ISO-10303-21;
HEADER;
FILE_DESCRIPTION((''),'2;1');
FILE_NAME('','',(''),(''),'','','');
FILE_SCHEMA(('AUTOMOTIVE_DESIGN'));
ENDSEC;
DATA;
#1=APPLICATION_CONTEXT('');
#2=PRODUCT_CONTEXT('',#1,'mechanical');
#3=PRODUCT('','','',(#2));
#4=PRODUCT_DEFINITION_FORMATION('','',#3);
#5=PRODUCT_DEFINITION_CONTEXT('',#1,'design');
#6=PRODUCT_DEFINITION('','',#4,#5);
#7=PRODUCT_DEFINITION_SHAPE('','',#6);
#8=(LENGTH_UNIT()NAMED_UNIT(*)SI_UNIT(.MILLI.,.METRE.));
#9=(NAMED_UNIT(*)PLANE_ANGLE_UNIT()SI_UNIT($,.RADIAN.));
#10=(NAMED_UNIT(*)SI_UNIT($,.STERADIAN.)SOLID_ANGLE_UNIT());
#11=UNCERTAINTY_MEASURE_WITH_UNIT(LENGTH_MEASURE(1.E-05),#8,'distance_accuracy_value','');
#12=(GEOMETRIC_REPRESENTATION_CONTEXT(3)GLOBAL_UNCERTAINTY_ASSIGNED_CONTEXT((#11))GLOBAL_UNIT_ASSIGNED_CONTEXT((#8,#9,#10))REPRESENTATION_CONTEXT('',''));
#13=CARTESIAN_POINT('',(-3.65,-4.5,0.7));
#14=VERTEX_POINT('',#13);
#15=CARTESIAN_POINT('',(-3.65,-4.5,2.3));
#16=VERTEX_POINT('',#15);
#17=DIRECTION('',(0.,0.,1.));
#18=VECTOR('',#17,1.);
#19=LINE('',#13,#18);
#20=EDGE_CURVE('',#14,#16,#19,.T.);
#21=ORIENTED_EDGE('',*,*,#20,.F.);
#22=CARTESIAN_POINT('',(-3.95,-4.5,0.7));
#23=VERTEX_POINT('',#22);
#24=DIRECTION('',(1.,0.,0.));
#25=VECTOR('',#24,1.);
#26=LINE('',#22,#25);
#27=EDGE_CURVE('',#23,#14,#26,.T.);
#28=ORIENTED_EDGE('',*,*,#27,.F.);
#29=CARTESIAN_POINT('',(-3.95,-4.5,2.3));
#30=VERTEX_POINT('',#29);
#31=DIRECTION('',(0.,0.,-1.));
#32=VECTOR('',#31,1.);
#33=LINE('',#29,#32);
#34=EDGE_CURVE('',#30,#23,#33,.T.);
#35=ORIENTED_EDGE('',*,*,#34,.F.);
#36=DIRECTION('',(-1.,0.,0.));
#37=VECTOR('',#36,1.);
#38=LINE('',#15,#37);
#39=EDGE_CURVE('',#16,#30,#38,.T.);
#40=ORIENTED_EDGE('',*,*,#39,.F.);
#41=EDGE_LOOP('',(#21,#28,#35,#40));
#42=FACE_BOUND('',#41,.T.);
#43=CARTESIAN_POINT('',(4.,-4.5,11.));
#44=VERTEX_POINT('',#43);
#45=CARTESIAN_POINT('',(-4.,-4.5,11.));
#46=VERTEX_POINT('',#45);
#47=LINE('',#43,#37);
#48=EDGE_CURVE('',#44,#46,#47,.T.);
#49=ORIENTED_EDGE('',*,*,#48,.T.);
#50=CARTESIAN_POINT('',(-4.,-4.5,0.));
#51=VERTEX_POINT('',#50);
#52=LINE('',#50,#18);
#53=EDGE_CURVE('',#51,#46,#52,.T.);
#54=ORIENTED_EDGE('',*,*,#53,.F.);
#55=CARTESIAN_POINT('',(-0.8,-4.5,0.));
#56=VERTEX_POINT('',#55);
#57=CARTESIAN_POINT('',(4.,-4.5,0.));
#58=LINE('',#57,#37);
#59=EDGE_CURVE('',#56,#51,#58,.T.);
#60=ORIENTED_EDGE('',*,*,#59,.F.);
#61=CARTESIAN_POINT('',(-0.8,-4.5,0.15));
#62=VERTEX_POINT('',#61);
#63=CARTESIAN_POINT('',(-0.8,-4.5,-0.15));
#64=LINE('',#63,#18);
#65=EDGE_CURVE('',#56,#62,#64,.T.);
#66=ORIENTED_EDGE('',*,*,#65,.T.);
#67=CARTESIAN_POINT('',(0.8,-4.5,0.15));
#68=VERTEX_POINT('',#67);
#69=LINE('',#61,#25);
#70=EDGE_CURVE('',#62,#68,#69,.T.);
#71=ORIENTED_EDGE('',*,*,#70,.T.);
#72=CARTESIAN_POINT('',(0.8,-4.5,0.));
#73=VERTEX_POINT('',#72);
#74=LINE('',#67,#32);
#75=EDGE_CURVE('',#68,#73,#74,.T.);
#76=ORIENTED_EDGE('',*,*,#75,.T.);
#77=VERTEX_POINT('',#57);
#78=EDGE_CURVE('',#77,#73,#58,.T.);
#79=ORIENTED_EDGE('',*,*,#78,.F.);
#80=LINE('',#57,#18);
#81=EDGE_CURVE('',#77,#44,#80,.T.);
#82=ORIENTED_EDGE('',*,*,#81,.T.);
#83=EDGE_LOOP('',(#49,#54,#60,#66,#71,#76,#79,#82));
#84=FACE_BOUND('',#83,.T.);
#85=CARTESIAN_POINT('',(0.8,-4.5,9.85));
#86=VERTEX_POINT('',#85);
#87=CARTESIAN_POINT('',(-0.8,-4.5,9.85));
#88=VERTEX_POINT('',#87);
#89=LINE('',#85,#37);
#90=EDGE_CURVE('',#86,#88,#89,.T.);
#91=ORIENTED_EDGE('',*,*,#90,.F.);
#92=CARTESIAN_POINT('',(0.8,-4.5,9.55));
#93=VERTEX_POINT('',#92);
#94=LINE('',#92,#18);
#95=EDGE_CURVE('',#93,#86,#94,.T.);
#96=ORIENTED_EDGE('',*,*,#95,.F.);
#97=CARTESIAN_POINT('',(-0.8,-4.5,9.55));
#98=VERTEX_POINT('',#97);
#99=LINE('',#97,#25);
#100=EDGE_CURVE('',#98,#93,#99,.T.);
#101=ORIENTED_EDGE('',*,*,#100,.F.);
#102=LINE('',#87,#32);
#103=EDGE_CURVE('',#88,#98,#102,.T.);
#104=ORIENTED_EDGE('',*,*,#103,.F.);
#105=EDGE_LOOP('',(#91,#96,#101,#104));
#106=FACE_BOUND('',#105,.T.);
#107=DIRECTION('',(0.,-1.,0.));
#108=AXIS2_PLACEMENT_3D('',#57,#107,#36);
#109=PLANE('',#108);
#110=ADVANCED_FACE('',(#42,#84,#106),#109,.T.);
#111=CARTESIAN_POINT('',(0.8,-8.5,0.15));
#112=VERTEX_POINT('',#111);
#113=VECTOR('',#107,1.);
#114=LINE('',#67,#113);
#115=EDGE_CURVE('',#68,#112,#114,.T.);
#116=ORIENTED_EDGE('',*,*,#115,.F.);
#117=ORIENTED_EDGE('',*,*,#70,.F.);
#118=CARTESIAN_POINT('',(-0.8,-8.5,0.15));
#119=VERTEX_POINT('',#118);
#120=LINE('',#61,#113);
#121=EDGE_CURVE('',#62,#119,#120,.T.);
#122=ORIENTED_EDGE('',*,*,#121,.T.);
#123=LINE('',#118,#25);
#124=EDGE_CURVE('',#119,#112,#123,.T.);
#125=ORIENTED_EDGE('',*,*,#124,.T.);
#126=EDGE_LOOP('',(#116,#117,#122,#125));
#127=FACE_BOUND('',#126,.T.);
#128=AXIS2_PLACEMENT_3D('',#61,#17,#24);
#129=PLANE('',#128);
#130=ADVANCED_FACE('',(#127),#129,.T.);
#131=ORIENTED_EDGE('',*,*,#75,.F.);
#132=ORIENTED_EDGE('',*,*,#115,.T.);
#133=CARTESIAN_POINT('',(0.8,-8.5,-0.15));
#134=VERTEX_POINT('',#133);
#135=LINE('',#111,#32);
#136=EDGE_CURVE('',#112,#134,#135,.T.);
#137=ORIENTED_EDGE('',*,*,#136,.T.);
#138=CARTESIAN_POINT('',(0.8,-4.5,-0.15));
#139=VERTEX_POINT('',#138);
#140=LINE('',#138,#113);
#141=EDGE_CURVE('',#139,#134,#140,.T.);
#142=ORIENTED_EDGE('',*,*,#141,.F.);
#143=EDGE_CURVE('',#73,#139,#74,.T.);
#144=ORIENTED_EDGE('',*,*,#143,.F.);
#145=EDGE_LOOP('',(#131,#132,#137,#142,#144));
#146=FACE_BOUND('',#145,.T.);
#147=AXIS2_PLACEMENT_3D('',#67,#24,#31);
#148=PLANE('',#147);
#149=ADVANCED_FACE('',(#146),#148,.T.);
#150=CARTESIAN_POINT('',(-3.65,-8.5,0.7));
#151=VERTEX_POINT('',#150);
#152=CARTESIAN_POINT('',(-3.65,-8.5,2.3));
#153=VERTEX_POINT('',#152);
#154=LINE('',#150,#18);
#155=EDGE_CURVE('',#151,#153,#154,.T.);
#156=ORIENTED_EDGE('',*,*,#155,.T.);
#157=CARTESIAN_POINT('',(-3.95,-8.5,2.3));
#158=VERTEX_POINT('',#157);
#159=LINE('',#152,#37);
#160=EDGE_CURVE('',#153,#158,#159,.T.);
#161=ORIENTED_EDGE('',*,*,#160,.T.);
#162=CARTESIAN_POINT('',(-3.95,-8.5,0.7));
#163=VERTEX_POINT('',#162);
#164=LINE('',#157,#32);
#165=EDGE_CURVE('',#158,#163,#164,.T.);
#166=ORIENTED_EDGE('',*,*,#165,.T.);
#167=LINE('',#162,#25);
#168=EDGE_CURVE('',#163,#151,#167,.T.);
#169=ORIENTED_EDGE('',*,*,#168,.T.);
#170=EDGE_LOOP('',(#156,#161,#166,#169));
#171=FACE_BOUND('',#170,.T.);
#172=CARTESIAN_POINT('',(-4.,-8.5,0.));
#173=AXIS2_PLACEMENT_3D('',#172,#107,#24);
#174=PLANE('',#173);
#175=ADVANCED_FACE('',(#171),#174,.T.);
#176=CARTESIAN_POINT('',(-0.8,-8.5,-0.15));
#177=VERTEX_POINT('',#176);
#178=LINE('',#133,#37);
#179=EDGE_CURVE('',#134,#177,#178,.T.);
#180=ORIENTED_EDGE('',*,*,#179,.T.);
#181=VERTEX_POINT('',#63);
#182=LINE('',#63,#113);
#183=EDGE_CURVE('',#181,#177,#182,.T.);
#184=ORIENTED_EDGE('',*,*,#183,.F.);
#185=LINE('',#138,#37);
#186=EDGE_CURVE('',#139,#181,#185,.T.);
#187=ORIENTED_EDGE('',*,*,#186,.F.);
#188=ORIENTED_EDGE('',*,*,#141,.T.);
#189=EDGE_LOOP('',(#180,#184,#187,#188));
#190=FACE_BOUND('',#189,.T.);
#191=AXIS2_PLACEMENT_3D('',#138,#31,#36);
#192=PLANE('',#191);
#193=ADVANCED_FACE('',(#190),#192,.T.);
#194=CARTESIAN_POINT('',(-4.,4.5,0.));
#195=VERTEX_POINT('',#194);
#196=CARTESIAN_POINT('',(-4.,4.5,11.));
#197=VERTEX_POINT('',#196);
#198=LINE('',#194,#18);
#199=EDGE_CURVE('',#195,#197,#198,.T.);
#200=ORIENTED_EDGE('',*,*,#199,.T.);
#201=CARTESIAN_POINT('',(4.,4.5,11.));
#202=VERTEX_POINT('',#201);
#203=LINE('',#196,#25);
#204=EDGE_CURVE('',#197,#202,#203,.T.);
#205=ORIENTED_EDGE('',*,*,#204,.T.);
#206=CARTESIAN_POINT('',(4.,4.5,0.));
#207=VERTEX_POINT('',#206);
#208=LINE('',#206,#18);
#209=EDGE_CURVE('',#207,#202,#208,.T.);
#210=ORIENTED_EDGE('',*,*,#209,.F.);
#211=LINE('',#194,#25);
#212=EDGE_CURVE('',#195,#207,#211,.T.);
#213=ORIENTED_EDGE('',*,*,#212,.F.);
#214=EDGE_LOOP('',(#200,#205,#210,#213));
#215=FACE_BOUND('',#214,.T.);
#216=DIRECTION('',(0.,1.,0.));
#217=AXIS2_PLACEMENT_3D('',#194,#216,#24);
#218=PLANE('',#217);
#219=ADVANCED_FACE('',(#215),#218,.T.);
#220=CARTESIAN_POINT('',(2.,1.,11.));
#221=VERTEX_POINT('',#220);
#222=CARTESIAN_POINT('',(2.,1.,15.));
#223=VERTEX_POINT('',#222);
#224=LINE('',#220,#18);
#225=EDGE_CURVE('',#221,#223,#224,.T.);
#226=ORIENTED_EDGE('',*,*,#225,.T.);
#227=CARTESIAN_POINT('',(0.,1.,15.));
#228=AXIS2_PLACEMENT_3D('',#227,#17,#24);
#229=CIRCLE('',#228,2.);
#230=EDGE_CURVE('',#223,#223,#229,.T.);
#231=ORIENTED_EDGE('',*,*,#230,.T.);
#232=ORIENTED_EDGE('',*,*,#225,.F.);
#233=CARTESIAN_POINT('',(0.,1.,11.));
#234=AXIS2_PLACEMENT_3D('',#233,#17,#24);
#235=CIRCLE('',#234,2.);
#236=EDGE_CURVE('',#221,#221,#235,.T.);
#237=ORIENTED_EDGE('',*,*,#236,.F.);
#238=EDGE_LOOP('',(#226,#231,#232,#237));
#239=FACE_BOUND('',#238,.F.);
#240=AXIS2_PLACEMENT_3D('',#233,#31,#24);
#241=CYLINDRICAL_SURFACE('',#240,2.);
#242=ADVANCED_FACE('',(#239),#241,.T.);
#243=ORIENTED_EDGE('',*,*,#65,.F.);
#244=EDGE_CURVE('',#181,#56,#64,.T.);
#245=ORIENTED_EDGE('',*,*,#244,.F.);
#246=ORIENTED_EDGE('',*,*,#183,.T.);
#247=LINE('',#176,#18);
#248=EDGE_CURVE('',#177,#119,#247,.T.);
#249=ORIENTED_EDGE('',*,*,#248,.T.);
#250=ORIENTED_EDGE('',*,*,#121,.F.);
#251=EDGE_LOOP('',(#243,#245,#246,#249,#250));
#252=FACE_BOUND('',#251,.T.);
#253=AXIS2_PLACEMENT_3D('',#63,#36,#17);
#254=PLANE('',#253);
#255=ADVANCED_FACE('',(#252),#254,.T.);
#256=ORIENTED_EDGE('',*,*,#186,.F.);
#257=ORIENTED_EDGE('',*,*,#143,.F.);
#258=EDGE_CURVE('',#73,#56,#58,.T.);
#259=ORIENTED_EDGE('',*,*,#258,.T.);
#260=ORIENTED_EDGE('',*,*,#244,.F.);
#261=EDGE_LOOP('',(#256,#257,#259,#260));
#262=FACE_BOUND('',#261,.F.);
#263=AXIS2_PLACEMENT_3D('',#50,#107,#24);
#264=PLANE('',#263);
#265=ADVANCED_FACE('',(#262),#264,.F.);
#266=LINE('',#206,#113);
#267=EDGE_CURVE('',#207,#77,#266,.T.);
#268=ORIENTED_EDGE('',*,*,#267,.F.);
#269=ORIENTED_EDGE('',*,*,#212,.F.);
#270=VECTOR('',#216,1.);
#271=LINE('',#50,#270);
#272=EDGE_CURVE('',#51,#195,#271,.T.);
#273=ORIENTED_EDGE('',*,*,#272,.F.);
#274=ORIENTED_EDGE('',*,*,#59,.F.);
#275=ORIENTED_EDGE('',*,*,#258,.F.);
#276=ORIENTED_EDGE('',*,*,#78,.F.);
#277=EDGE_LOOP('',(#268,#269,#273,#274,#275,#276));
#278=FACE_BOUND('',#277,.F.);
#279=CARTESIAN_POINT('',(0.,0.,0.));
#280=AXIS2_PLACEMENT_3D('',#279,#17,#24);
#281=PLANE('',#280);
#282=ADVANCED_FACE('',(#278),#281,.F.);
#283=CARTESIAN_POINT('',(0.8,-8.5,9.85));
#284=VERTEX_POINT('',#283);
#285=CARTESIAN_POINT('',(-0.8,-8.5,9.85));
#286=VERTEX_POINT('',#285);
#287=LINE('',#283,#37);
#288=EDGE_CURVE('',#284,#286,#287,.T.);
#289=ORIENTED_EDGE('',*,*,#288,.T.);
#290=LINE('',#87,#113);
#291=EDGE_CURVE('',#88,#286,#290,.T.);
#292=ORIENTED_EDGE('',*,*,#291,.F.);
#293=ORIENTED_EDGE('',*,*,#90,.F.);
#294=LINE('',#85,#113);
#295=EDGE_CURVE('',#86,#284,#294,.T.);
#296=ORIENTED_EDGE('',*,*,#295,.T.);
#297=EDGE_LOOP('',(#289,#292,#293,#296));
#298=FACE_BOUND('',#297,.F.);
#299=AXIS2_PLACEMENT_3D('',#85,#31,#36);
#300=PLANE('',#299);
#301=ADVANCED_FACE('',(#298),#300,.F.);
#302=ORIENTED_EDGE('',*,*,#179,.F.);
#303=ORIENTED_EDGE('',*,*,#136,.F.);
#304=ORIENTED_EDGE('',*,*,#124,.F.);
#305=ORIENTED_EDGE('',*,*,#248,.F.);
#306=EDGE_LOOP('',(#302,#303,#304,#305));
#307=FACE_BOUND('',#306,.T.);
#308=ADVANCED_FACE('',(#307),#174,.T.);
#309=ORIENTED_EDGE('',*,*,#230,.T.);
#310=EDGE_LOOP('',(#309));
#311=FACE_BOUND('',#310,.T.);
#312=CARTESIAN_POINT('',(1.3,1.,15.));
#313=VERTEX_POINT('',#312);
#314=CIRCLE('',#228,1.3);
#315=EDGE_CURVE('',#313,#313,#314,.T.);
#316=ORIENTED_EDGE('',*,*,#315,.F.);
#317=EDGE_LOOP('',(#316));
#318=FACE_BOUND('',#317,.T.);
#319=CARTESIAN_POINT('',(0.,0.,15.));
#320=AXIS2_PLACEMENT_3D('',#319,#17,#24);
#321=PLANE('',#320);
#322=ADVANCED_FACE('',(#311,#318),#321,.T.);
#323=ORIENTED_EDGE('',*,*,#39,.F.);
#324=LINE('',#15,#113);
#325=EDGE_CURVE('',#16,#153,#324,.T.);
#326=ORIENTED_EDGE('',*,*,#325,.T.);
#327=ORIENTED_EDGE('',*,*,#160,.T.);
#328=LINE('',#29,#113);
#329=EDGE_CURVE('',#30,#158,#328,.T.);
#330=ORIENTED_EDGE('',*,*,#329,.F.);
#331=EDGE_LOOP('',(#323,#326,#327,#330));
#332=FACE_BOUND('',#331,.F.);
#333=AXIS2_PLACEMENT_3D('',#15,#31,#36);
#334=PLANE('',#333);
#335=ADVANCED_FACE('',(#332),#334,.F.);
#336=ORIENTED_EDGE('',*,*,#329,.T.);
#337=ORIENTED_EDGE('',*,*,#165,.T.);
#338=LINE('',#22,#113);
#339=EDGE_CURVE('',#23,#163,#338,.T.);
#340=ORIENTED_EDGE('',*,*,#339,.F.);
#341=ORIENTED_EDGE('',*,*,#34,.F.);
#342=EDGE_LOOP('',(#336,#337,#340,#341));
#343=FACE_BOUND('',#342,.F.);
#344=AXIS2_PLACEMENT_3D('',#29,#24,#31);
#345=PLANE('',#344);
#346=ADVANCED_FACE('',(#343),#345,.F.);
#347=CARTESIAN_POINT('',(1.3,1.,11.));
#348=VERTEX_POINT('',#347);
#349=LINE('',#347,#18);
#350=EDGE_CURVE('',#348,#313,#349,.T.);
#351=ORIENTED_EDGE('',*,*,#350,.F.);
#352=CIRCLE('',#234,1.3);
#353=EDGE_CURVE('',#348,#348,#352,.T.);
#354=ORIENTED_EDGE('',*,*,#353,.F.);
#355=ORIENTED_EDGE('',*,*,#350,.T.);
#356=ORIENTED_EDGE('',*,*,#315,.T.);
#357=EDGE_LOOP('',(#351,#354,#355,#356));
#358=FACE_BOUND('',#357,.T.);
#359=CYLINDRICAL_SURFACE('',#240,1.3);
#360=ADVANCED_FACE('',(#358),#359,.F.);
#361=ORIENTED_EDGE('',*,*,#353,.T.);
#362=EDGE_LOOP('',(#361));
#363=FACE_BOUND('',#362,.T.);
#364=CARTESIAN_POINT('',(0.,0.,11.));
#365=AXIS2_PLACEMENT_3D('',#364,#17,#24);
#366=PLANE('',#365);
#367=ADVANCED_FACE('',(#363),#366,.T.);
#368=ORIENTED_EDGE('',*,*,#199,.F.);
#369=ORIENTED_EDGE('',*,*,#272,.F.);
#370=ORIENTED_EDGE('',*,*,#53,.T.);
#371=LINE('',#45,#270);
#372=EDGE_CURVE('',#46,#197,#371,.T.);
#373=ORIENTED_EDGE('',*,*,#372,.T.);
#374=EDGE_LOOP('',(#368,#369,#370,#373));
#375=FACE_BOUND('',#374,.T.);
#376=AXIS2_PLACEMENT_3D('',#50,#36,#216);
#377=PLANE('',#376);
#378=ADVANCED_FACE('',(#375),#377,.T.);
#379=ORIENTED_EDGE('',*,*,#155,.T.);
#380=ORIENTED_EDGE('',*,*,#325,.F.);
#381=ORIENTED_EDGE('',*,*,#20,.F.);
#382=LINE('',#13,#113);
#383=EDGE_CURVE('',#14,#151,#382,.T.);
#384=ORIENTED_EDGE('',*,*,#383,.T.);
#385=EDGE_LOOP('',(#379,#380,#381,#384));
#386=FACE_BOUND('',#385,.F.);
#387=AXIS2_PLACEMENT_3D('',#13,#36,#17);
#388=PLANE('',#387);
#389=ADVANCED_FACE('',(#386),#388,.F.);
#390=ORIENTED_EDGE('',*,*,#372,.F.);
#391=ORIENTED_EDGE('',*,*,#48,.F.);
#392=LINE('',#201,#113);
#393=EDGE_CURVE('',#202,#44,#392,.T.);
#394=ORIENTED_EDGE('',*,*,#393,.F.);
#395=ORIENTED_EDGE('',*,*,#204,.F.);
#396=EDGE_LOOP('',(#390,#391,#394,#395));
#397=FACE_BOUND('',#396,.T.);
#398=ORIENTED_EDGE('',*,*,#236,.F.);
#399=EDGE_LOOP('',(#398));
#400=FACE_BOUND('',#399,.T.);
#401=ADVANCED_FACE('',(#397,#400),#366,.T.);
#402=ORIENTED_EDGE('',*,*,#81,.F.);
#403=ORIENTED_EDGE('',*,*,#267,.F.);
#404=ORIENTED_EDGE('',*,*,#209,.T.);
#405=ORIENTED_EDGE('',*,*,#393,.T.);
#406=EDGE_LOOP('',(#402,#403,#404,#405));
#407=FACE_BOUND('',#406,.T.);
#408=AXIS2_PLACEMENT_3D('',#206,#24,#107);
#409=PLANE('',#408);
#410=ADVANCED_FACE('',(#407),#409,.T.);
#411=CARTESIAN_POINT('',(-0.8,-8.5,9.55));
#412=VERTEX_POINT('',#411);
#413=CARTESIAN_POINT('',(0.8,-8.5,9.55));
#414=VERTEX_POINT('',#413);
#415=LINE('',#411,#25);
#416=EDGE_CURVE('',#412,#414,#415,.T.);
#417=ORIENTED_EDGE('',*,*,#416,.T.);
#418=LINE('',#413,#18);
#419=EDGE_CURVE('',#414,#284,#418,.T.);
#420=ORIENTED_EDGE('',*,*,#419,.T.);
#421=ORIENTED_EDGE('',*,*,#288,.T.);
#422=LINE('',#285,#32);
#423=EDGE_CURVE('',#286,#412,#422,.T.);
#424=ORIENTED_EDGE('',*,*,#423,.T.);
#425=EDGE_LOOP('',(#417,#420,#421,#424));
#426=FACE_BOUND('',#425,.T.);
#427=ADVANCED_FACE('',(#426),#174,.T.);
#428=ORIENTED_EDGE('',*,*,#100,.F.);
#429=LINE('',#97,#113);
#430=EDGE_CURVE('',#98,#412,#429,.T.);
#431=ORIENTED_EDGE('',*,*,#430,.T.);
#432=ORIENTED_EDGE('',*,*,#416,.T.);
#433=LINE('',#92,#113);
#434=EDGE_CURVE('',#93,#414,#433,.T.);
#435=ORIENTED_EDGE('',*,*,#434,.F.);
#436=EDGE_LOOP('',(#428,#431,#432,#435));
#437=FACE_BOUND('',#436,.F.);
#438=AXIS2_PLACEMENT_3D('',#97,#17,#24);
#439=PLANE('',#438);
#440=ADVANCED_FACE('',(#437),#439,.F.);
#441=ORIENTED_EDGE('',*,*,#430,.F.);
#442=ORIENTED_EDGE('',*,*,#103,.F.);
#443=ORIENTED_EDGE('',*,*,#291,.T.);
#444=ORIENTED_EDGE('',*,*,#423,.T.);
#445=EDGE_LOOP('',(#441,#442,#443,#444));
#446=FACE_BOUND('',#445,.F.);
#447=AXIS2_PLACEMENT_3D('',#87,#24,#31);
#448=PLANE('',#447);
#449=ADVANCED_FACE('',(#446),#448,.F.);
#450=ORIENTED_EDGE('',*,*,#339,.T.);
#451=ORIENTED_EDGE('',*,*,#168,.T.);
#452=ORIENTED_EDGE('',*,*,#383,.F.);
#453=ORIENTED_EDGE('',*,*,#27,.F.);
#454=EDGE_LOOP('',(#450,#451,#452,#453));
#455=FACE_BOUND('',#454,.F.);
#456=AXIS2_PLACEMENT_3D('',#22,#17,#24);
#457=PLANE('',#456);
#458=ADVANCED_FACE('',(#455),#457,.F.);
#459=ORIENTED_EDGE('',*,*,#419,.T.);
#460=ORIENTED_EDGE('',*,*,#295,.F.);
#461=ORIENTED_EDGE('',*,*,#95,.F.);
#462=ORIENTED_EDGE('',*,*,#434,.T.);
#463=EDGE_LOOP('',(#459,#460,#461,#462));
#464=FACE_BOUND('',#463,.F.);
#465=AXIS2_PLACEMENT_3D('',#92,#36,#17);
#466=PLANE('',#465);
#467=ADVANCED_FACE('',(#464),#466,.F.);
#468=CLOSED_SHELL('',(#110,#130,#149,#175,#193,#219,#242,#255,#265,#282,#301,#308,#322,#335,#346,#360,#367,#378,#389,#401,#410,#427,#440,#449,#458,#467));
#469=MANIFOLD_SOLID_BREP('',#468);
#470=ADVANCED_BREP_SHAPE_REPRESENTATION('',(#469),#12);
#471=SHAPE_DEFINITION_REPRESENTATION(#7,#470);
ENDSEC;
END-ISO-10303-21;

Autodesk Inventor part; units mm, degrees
ref_plane "YZ Plane" through (0, 0, 0) normal (1, 0, 0) x (0, 1, 0)
ref_plane "XZ Plane" through (0, 0, 0) normal (0, 1, 0) x (-1, 0, 0)
ref_plane "XY Plane" through (0, 0, 0) normal (0, 0, 1) x (1, 0, 0)
sketch "スケッチ1" plane through (0, 0, 0) normal (0, 0, 1) x (1, 0, 0)
  line L0 (-4, 4.5) -> (4, 4.5)
  line L1 (4, 4.5) -> (4, -4.5)
  line L2 (4, -4.5) -> (-4, -4.5)
  line L3 (-4, -4.5) -> (-4, 4.5)
  line L4 (-4, 4.5) -> (4, -4.5) construction
  line L5 (4, 4.5) -> (-4, -4.5) construction
  point P0 (0, 0)
  dimension "d0" = 8
  dimension "d1" = 9
extrude "押し出し1" add sketch "スケッチ1" along normal blind 11
sketch "スケッチ2" plane through (0, 0, 11) normal (0, 0, 1) x (1, 0, 0)
  circle A0 centre (0, 1) radius 2
  circle A1 centre (0, 1) radius 1.3
  line L0 (-4, -4.5) -> (4, -4.5) projected
  point P0 (0, 0)
  dimension "d4" = 4
  dimension "d5" = 2.6
  dimension "d6" = 5.5
extrude "押し出し2" add sketch "スケッチ2" along normal blind 4
sketch "スケッチ3" plane through (-4, -4.5, 0) normal (0, -1, 0) x (1, 0, 0)
  line L0 (4.8, 9.85) -> (3.2, 9.85)
  line L1 (3.2, 9.85) -> (3.2, 9.55)
  line L2 (3.2, 9.55) -> (4.8, 9.55)
  line L3 (4.8, 9.55) -> (4.8, 9.85)
  line L4 (4.8, 9.85) -> (3.2, 9.55) construction
  line L5 (3.2, 9.85) -> (4.8, 9.55) construction
  line L6 (4.8, -0.15) -> (3.2, -0.15)
  line L7 (3.2, -0.15) -> (3.2, 0.15)
  line L8 (3.2, 0.15) -> (4.8, 0.15)
  line L9 (4.8, 0.15) -> (4.8, -0.15)
  line L10 (4.8, -0.15) -> (3.2, 0.15) construction
  line L11 (3.2, -0.15) -> (4.8, 0.15) construction
  line L12 (0, 11) -> (8, 11) projected
  line L13 (0.35, 2.3) -> (0.05, 2.3)
  line L14 (0.05, 2.3) -> (0.05, 0.7)
  line L15 (0.05, 0.7) -> (0.35, 0.7)
  line L16 (0.35, 0.7) -> (0.35, 2.3)
  line L17 (0.35, 2.3) -> (0.05, 0.7) construction
  line L18 (0.05, 2.3) -> (0.35, 0.7) construction
  point P0 (4, 0)
  point P1 (4, 9.7)
  point P2 (4, 9.7)
  point P3 (4, 0)
  point P4 (0.2, 1.5)
  dimension "d9" = 1.3
  dimension "d10" = 0.3
  dimension "d11" = 1.6
  dimension "d12" = 9.5
  dimension "d13" = 3.8
extrude "押し出し3" add sketch "スケッチ3" along normal blind 4
properties part number "Circuit_PhoneJack_HLA-2503D1l"
